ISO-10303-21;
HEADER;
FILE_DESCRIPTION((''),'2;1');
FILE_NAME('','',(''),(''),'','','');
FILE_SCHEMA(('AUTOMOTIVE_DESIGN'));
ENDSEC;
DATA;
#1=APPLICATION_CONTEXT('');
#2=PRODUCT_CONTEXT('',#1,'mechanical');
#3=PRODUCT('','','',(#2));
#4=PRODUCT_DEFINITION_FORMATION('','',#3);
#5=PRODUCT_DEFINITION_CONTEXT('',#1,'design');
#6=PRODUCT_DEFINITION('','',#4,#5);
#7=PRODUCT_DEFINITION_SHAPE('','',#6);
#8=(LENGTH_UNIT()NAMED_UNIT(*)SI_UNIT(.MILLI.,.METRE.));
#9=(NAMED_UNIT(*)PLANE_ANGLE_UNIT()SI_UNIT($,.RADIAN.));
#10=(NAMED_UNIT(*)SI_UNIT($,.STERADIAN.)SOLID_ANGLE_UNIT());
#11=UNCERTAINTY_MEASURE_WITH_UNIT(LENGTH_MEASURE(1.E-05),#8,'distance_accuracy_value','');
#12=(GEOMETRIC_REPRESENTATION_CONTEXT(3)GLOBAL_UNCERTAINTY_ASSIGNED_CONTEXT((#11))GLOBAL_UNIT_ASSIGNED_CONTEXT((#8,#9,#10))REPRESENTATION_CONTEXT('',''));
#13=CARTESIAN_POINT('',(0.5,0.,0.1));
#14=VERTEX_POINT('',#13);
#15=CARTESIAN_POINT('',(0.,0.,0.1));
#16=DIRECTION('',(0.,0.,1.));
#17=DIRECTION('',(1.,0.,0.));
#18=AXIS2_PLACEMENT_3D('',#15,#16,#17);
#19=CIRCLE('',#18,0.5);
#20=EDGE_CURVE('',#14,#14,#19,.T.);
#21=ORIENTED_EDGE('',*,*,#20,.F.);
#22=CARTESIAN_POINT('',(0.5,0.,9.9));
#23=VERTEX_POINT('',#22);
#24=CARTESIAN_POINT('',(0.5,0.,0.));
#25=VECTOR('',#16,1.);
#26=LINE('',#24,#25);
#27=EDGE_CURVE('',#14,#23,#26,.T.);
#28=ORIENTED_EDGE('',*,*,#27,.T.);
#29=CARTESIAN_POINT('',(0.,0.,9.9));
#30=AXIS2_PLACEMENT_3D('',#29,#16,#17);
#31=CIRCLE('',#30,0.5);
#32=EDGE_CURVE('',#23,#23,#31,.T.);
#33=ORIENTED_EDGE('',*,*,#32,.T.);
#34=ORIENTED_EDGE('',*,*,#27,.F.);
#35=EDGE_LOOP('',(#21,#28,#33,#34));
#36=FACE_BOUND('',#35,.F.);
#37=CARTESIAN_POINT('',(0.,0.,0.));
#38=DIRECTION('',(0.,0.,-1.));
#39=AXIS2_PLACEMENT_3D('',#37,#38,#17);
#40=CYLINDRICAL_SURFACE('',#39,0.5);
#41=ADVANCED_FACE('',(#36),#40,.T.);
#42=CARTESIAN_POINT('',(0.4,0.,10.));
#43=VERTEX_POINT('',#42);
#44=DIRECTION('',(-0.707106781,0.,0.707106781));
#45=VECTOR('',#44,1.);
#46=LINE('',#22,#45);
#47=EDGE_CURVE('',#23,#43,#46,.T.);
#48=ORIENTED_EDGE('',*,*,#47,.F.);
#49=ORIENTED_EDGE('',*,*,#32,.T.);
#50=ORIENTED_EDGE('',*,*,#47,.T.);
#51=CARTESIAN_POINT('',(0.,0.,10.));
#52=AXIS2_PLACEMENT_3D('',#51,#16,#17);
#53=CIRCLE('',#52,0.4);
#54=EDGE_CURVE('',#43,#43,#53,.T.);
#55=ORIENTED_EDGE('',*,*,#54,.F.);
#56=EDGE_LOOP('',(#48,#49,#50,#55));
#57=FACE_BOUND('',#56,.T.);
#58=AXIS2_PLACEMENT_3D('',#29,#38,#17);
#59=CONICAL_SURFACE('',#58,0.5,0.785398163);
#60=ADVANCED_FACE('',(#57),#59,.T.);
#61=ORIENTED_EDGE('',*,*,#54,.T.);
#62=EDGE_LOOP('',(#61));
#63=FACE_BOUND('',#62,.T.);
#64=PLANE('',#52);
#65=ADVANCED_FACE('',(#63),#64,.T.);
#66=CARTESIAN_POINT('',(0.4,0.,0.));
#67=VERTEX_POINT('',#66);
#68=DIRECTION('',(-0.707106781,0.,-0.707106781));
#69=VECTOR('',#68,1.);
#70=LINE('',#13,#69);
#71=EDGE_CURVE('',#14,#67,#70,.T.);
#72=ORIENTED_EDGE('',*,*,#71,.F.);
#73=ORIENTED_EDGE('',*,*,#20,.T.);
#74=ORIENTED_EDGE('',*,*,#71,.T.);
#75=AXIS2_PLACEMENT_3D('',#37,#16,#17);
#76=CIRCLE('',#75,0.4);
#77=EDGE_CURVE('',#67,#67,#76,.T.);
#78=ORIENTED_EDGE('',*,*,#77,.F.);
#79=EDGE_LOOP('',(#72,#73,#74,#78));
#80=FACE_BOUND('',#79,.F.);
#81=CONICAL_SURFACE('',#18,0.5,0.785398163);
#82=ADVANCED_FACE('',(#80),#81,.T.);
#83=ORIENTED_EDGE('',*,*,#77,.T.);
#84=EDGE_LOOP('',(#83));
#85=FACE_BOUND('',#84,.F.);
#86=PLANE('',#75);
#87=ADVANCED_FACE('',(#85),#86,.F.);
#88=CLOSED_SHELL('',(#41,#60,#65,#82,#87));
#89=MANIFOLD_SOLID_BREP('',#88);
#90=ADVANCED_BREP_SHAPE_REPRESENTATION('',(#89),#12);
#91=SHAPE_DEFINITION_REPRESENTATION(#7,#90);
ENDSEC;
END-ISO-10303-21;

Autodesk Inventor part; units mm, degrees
ref_plane "YZ Plane" through (0, 0, 0) normal (1, 0, 0) x (0, 1, 0)
ref_plane "XZ Plane" through (0, 0, 0) normal (0, 1, 0) x (-1, 0, 0)
ref_plane "XY Plane" through (0, 0, 0) normal (0, 0, 1) x (1, 0, 0)
sketch "Sketch47" plane through (0, 0, 0) normal (0, 0, 1) x (1, 0, 0)
  circle A0 centre (0, 0) radius 0.5
  dimension "d264" = 1
extrude "Extrusion42" add sketch "Sketch47" along normal blind 10
chamfer "Chamfer6" distance 0.1 angle 45 2 edges at (-0.5, 0, 10) (-0.5, 0, 0)
properties part number "Pin"
